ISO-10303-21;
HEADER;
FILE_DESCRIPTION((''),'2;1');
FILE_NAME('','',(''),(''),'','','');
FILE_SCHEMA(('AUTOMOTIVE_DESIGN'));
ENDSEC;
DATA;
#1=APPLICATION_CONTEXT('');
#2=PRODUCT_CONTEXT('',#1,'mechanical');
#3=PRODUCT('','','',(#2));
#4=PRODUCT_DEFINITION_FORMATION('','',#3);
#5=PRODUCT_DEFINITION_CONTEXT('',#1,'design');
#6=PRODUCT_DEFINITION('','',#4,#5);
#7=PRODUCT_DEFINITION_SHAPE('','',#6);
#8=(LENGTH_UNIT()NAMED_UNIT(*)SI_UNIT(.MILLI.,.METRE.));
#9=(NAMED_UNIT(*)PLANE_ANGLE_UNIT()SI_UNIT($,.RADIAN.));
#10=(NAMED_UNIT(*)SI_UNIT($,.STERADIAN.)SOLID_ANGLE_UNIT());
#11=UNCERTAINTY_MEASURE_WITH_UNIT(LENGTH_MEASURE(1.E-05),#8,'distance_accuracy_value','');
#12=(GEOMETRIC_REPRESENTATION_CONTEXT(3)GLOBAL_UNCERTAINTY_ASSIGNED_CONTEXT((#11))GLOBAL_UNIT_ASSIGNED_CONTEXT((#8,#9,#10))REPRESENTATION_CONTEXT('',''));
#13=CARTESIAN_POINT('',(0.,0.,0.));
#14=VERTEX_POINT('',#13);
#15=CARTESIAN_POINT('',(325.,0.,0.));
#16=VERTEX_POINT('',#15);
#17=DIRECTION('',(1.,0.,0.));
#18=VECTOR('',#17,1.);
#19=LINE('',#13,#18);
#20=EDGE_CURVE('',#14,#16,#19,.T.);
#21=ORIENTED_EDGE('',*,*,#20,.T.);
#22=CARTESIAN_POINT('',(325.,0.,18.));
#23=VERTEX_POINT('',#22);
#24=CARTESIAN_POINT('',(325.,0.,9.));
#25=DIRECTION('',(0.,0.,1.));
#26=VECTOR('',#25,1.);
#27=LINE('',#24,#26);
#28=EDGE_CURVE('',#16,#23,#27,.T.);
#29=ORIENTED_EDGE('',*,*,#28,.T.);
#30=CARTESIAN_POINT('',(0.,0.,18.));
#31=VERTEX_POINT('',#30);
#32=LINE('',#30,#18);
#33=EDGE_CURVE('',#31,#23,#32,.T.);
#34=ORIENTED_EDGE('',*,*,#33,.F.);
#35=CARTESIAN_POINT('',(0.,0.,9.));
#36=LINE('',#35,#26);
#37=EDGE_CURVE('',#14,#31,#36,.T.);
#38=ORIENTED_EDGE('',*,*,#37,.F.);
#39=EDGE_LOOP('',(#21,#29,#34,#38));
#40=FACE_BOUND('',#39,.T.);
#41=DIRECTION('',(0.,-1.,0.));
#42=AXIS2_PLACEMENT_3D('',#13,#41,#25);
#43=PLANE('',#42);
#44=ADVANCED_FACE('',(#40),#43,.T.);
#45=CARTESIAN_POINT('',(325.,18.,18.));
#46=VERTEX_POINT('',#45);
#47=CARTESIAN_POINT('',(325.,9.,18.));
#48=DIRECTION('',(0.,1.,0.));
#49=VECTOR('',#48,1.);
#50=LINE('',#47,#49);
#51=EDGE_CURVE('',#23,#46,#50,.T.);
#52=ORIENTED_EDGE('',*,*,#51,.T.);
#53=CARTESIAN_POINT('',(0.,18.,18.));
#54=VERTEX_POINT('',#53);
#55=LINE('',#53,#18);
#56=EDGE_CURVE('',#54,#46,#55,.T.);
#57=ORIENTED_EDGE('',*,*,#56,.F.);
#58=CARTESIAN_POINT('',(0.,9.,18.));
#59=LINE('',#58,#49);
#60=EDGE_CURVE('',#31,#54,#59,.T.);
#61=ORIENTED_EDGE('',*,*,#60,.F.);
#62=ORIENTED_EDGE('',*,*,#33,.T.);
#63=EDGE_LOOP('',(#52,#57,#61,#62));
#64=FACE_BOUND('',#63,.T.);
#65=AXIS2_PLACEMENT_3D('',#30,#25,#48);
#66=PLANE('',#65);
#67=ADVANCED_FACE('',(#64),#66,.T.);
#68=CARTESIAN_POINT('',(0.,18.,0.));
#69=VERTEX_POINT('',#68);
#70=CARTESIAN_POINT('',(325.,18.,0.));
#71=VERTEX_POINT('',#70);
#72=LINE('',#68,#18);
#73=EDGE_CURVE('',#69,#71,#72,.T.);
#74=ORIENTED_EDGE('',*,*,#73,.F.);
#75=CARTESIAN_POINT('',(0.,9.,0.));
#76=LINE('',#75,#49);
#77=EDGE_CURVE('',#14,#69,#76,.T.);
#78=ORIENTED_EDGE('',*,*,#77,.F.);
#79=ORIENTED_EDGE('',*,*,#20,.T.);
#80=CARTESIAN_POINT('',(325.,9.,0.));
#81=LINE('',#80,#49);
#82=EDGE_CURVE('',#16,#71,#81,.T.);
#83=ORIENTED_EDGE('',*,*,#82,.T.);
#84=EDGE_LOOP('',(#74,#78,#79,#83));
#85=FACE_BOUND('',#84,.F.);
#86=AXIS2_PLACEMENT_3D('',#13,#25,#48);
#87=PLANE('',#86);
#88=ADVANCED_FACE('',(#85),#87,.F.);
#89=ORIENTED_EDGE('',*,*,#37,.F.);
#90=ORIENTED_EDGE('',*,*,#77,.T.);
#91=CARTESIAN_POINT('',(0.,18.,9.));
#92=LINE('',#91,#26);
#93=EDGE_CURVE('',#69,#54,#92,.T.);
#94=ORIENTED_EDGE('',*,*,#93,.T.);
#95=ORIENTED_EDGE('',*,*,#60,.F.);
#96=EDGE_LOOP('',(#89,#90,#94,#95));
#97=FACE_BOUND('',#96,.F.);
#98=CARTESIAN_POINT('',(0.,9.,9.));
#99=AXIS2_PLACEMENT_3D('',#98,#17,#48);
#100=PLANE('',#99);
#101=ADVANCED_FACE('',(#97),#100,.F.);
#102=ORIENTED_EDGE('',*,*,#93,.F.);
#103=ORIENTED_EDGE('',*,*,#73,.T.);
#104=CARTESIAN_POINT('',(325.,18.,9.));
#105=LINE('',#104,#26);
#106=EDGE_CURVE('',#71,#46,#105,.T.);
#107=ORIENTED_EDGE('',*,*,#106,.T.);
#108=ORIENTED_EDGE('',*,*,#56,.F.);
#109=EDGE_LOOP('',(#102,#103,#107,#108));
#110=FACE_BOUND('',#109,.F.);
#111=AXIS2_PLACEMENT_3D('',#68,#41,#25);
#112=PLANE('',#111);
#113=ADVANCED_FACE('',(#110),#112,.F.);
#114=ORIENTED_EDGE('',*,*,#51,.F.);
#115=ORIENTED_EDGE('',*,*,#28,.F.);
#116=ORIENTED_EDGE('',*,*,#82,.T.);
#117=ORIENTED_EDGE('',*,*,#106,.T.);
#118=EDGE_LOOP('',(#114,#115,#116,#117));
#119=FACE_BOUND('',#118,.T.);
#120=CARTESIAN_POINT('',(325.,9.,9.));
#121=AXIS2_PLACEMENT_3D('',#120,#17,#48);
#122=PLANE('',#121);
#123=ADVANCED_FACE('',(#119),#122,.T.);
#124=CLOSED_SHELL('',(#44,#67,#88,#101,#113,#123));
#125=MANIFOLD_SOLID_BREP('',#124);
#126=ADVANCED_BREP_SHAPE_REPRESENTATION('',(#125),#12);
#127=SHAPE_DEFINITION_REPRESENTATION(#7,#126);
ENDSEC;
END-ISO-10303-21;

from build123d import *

# Parameters (mm, degrees)
SKETCH_W  = 18
SKETCH_H  = 18
PAD_DEPTH = 325


with BuildPart() as part:
    # Sketch → Pad (new body)
    with BuildSketch(Plane.YZ):
        with Locations((9, 9)):
            Rectangle(SKETCH_W, SKETCH_H)
    extrude(amount=PAD_DEPTH)


solid = part.part
